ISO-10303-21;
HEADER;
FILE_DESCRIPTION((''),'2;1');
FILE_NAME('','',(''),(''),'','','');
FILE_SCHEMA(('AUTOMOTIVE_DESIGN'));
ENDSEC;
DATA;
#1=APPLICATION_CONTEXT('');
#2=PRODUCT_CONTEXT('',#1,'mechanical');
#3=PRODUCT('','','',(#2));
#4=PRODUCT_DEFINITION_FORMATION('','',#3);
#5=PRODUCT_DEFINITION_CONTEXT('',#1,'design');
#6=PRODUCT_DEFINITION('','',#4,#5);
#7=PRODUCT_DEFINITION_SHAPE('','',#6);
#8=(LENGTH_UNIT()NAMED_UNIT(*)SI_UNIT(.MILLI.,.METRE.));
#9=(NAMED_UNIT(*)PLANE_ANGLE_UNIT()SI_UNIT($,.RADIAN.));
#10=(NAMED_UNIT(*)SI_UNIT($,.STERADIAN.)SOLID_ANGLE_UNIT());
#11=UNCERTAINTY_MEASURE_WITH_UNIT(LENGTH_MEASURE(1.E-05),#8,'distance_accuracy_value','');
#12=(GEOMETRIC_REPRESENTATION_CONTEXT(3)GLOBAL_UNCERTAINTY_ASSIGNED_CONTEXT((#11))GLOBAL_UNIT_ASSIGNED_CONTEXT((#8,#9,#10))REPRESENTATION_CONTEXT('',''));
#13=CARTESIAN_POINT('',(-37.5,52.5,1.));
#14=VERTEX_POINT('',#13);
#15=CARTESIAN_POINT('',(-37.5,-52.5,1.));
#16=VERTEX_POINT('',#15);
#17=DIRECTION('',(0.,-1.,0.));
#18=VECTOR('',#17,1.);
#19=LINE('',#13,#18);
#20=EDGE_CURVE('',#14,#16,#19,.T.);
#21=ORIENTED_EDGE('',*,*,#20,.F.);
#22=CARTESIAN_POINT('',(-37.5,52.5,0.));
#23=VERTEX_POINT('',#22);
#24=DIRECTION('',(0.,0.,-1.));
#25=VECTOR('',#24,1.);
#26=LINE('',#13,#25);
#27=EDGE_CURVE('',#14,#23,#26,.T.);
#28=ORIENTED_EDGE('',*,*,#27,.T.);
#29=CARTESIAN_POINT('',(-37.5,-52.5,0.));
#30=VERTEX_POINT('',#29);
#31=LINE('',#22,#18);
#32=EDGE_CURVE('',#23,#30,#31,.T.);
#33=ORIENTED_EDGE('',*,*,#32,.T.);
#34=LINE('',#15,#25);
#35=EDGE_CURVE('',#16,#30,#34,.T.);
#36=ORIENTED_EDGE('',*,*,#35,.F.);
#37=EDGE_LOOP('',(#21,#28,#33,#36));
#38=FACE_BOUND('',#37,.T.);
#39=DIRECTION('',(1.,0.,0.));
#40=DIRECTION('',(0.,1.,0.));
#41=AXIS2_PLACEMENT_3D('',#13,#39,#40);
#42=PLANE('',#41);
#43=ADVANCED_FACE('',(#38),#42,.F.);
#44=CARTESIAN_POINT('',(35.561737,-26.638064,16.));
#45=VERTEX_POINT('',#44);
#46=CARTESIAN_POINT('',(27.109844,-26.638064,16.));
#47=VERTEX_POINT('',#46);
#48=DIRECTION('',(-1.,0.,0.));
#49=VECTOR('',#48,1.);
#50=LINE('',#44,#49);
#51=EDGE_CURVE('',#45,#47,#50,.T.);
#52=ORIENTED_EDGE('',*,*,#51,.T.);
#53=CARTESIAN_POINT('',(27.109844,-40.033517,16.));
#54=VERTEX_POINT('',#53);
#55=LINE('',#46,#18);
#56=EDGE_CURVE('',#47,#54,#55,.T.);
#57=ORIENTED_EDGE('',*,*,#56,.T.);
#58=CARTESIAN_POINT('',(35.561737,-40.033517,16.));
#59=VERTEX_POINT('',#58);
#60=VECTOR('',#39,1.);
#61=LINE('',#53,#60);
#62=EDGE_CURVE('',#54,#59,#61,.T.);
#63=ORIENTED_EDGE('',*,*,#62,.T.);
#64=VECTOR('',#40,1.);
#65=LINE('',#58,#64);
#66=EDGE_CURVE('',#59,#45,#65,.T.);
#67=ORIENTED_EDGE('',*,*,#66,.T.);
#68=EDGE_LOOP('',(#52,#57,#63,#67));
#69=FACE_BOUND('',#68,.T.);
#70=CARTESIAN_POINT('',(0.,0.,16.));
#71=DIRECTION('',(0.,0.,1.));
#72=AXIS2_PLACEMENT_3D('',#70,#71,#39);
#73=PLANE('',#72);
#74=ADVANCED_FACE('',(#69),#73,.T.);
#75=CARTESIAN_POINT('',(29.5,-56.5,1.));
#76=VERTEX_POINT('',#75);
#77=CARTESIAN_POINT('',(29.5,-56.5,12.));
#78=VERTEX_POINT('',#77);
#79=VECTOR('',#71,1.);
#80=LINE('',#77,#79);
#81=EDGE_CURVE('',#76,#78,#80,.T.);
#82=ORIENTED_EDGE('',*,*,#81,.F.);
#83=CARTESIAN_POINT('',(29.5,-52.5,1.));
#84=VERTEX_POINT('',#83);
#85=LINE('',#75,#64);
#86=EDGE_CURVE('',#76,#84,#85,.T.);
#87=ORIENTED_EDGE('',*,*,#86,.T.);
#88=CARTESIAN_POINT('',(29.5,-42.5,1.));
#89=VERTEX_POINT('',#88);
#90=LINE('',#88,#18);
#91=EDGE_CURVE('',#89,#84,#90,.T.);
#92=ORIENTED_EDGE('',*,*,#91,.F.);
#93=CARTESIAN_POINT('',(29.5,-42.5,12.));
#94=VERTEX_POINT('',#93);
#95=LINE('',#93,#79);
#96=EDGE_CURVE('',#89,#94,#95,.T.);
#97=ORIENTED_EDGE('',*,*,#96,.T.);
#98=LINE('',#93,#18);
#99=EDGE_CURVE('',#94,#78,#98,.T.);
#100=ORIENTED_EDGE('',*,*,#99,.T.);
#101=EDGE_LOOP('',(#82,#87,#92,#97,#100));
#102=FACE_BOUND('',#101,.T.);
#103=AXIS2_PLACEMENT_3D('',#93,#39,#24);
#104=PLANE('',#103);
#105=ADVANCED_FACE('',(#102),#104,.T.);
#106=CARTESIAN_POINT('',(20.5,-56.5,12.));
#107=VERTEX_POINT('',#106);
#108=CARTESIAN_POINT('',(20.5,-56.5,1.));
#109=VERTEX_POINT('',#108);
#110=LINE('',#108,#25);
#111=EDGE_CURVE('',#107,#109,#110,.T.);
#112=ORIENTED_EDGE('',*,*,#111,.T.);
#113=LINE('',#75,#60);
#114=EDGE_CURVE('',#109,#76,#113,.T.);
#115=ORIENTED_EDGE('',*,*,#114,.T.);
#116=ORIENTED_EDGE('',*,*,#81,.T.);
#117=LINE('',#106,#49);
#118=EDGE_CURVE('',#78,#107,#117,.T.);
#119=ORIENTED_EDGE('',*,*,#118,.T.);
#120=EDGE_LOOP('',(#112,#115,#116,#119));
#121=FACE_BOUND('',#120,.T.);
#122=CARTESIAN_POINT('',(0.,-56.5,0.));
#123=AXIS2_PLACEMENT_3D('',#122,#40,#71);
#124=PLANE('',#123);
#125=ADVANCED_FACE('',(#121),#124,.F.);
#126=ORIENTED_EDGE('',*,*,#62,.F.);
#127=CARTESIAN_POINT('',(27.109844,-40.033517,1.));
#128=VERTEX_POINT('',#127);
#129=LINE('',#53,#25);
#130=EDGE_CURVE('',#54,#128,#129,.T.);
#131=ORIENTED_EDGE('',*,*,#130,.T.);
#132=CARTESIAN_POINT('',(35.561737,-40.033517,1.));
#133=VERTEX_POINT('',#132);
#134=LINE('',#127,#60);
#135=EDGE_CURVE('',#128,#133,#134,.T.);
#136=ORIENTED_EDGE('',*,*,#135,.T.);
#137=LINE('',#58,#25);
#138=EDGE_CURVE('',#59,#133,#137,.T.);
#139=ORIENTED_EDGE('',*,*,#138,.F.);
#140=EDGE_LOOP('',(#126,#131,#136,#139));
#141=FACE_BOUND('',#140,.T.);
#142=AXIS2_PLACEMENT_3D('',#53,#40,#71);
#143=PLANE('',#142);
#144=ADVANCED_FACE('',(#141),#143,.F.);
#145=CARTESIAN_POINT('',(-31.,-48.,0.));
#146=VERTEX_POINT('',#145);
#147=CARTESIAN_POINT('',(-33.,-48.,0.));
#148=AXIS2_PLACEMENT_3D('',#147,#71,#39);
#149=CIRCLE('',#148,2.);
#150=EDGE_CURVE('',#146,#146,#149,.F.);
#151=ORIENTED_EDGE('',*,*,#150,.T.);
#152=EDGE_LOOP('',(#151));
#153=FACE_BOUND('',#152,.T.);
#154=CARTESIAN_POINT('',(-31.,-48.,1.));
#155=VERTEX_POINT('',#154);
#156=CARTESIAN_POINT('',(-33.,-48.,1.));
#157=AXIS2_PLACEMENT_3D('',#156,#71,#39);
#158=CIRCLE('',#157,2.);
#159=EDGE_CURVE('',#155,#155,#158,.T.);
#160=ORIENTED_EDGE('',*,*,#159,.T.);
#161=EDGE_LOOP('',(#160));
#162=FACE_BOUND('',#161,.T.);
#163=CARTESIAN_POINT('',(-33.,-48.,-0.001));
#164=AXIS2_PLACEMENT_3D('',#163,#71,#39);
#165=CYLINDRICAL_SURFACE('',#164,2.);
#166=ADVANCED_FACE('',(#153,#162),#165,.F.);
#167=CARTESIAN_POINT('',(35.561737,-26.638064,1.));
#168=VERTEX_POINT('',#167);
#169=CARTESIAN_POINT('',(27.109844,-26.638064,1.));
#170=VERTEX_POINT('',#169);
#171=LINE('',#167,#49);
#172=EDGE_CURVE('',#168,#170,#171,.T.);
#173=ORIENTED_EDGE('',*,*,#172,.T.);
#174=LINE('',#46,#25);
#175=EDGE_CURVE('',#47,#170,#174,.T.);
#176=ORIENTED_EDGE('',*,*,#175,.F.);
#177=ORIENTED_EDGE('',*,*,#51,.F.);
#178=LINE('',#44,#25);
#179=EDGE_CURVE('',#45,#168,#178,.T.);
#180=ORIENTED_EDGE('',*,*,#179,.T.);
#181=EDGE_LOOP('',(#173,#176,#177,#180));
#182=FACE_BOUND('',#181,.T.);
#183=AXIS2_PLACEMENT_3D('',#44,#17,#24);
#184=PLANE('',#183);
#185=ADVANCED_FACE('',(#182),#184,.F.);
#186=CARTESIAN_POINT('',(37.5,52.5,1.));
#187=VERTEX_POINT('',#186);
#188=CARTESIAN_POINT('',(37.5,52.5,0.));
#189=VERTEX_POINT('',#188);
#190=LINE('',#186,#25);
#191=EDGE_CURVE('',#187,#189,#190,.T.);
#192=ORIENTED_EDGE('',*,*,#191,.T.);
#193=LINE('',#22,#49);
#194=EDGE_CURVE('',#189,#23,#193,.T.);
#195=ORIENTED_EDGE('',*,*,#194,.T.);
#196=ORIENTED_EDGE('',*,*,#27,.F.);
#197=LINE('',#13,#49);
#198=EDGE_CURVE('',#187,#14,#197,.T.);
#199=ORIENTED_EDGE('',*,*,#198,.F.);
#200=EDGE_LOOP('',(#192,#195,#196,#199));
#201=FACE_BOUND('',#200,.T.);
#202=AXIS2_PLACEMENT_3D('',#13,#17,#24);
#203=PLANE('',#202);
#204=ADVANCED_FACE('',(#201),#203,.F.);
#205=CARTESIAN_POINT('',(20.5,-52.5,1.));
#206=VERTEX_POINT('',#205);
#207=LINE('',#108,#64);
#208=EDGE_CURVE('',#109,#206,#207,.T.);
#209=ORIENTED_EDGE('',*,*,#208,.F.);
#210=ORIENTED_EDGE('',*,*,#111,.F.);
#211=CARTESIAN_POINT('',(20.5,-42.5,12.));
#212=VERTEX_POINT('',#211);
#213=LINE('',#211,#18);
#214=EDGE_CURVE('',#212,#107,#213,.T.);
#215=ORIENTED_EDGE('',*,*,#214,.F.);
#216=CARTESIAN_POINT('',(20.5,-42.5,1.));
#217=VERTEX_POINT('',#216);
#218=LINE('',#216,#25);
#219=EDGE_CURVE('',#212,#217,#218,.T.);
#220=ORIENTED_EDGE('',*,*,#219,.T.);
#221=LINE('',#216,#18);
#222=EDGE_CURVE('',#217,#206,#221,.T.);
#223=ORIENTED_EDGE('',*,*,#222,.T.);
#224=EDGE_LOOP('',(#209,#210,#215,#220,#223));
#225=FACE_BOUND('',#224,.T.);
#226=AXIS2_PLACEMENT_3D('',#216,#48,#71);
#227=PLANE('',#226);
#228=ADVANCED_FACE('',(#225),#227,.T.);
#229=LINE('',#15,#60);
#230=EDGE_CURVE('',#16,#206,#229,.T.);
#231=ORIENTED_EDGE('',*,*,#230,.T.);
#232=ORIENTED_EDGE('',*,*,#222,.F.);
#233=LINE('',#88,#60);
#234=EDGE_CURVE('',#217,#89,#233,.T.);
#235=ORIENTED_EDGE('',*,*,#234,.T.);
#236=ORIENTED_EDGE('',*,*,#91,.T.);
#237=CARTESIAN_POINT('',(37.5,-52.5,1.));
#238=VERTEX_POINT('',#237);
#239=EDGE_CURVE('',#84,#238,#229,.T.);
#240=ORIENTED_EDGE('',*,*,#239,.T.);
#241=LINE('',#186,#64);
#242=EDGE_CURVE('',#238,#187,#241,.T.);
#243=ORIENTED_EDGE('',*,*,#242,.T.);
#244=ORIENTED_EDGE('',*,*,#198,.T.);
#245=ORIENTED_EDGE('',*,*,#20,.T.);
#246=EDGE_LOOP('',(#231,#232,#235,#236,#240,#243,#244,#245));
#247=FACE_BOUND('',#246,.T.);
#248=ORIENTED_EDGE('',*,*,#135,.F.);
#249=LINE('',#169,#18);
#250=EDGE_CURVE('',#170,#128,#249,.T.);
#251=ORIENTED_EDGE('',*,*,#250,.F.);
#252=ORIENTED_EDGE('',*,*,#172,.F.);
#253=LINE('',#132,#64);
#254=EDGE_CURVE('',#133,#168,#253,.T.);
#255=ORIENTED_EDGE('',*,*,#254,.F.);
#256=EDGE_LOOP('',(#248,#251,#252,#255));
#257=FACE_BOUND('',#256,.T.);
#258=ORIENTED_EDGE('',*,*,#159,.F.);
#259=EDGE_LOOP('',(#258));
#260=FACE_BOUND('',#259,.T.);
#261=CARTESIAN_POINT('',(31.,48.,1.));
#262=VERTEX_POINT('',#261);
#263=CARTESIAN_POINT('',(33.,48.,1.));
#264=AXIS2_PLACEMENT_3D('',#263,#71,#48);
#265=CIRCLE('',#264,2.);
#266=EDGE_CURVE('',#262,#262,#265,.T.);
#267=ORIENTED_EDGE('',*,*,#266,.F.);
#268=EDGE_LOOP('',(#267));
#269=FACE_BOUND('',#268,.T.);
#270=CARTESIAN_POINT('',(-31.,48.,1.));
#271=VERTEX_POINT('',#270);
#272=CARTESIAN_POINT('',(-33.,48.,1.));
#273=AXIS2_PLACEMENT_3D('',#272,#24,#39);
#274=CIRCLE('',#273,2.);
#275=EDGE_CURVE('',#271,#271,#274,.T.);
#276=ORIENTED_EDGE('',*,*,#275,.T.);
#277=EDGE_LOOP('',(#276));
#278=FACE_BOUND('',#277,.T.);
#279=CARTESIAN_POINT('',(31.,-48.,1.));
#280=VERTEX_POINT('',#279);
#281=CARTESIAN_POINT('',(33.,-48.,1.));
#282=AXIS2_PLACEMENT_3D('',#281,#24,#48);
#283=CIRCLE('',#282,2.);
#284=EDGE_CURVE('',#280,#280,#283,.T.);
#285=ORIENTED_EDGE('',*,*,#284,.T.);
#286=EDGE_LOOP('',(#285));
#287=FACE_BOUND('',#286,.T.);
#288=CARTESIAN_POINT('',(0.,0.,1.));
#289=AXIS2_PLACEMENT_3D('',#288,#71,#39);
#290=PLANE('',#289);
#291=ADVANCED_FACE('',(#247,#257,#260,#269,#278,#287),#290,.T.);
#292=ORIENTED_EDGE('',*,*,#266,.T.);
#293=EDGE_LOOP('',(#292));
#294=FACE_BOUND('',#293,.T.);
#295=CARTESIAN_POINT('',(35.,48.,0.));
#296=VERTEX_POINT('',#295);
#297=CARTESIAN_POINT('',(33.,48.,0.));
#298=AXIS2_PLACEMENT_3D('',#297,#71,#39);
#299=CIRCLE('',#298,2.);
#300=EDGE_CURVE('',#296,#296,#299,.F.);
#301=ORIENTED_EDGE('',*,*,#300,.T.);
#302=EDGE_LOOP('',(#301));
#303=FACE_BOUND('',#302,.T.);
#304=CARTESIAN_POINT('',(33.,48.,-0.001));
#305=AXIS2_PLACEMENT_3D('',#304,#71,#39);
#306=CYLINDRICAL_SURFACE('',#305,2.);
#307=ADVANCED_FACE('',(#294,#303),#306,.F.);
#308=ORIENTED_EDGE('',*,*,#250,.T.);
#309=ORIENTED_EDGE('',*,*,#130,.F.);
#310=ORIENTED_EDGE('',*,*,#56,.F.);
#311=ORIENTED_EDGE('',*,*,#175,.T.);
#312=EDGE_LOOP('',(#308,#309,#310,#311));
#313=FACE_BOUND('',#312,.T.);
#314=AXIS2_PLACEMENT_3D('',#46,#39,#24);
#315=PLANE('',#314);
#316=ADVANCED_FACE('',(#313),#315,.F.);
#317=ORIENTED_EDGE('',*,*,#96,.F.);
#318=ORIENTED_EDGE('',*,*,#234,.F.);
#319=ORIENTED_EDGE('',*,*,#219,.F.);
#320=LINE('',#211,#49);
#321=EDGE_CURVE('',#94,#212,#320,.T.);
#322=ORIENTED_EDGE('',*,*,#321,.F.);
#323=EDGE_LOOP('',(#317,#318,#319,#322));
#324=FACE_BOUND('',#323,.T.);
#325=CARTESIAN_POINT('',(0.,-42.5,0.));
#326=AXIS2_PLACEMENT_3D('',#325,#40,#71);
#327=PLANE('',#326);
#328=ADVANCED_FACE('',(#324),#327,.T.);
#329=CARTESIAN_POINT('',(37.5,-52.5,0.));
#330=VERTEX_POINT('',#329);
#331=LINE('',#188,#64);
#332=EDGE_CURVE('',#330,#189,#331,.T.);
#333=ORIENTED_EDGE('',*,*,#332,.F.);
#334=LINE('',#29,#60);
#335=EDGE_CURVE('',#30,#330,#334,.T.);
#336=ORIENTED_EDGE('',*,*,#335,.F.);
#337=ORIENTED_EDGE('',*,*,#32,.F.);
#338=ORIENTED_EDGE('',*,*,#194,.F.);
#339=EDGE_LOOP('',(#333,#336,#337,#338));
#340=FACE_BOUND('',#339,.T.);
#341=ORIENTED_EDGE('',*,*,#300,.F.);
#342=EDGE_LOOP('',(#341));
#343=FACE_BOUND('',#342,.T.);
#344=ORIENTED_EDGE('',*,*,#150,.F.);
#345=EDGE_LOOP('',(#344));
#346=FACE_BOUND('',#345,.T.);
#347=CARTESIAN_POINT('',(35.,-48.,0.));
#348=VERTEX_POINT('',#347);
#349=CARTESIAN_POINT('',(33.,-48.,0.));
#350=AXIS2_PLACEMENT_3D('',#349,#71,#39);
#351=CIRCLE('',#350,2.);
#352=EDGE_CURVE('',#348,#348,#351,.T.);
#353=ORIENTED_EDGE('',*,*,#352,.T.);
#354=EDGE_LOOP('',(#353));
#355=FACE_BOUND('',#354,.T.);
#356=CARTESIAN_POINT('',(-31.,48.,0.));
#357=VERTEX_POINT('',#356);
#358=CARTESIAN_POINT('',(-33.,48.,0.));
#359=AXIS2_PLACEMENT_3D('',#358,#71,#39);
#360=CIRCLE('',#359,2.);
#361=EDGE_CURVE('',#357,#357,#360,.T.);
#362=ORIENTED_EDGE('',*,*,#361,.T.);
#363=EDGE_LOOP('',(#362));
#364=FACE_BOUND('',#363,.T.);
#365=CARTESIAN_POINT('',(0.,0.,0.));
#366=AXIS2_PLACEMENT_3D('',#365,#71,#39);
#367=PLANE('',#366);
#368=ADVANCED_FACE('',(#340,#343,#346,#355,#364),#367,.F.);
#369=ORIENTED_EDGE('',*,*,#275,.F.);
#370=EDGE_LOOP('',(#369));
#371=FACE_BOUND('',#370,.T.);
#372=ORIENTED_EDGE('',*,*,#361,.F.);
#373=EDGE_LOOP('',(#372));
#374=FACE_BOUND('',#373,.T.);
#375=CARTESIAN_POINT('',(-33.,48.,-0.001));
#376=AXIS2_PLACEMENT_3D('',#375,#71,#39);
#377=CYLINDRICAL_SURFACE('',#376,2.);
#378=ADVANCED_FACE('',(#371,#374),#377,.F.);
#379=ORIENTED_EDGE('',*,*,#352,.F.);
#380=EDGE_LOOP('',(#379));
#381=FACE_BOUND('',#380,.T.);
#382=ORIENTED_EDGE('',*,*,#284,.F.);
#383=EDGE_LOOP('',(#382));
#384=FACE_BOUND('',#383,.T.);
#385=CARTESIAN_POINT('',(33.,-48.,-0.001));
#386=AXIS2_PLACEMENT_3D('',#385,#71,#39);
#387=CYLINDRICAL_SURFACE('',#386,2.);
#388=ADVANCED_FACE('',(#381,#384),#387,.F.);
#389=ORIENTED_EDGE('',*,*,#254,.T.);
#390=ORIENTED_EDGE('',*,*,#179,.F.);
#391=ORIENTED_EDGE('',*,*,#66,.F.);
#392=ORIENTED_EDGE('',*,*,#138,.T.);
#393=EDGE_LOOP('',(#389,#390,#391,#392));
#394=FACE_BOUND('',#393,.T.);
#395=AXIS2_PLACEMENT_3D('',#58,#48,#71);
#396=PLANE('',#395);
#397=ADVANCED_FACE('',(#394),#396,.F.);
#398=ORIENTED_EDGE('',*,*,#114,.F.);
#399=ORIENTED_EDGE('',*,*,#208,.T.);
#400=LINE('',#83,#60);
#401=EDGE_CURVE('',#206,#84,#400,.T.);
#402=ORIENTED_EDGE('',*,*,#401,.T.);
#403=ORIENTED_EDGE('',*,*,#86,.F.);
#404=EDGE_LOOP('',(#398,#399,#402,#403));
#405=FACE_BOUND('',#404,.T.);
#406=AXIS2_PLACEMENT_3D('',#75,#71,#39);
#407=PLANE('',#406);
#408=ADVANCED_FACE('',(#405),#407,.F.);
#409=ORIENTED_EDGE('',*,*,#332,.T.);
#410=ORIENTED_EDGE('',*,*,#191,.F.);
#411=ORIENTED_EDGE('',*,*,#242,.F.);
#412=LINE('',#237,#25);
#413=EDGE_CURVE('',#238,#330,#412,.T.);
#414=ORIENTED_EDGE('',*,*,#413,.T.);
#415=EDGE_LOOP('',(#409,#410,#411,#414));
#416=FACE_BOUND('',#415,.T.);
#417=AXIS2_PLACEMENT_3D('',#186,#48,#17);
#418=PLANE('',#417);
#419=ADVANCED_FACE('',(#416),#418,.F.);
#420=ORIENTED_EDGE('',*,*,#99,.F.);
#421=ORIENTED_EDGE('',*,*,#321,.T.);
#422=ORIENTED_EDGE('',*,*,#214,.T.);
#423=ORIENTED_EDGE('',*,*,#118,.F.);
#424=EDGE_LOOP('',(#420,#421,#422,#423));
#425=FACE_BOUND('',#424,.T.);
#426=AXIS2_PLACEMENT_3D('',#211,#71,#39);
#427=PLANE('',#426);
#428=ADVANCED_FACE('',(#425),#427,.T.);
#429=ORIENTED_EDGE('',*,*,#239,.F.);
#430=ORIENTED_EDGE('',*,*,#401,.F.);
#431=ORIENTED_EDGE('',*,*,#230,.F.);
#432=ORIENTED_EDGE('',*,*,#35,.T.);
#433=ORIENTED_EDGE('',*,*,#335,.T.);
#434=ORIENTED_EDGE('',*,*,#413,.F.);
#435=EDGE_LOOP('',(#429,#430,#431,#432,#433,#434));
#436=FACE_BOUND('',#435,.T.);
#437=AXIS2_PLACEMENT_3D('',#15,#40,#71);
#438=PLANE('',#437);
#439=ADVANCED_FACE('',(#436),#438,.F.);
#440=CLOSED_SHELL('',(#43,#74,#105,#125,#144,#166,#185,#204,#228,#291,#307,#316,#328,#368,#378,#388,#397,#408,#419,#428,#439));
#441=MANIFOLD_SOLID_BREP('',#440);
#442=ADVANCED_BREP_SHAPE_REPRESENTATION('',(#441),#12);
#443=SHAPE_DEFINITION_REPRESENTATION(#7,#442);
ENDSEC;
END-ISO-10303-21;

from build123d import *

# Parameters (mm, degrees)
ESQUISSE1_W               = 75
ESQUISSE1_H               = 105
BOSS_EXTRU_1_DEPTH        = 1
ENL_V_MAT_EXTRU_1_REACH   = 66.525
ESQUISSE3_R               = 2
SYM_TRIE2_COPY_1_REACH    = 66.525
SYM_TRIE2_COPY_1_SKETCH_R = 2
ESQUISSE5_W               = 9
ESQUISSE5_H               = 11
BOSS_EXTRU_3_DEPTH        = 10
ESQUISSE5_2_W             = 9
ESQUISSE5_2_H             = 11
BOSS_EXTRU_4_DEPTH        = 4
ESQUISSE6_W               = 8.451892611
ESQUISSE6_H               = 13.39545244
BOSS_EXTRU_5_DEPTH        = 15


with BuildPart() as part:
    # Esquisse1 → Boss.-Extru.1 (new body)
    with BuildSketch(Plane.XY):
        Rectangle(ESQUISSE1_W, ESQUISSE1_H)
    extrude(amount=BOSS_EXTRU_1_DEPTH)

    # Esquisse3 → Enlèv. mat.-Extru.1 (cut, up to next)
    with BuildSketch(Plane.XY.offset(1), mode=Mode.PRIVATE) as enl_v_mat_extru_1_sk1:
        with Locations((-33, -48)):
            Circle(ESQUISSE3_R)
    enl_v_mat_extru_1_tool1 = extrude(enl_v_mat_extru_1_sk1.sketch, amount=-ENL_V_MAT_EXTRU_1_REACH, mode=Mode.PRIVATE) & part.part
    enl_v_mat_extru_1 = enl_v_mat_extru_1_tool1.solids().sort_by_distance((-33, -48, 1))[0]
    add(enl_v_mat_extru_1, mode=Mode.SUBTRACT)

    # Symétrie1: Enlèv. mat.-Extru.1 across plane
    add(enl_v_mat_extru_1.mirror(Plane(origin=(0, 0, 0), x_dir=(0, 0, 1), z_dir=(1, 0, 0))), mode=Mode.SUBTRACT)

    # Symétrie2: Enlèv. mat.-Extru.1 across plane
    add(enl_v_mat_extru_1.mirror(Plane.ZX), mode=Mode.SUBTRACT)

    # Symétrie2 copy 1 sketch → Symétrie2 copy 1 (cut, up to next)
    with BuildSketch(Plane(origin=(0, 0, 1), x_dir=(-1, 0, 0), z_dir=(0, 0, 1)), mode=Mode.PRIVATE) as sym_trie2_copy_1_sk1:
        with Locations((-33, -48)):
            Circle(SYM_TRIE2_COPY_1_SKETCH_R)
    sym_trie2_copy_1_tool1 = extrude(sym_trie2_copy_1_sk1.sketch, amount=-SYM_TRIE2_COPY_1_REACH, mode=Mode.PRIVATE) & part.part
    add(sym_trie2_copy_1_tool1.solids().sort_by_distance((33, 48, 1))[0], mode=Mode.SUBTRACT)

    # Esquisse5 → Boss.-Extru.3 (add)
    with BuildSketch(Plane.XZ.offset(52.5)):
        with Locations((25, 6.5)):
            Rectangle(ESQUISSE5_W, ESQUISSE5_H)
    extrude(amount=-BOSS_EXTRU_3_DEPTH)

    # Esquisse5<2> → Boss.-Extru.4 (add)
    with BuildSketch(Plane.XZ.offset(52.5)):
        with Locations((25, 6.5)):
            Rectangle(ESQUISSE5_2_W, ESQUISSE5_2_H)
    extrude(amount=BOSS_EXTRU_4_DEPTH)

    # Esquisse6 → Boss.-Extru.5 (add)
    with BuildSketch(Plane.XY.offset(1)):
        with Locations((31.335790529, -33.335790529)):
            Rectangle(ESQUISSE6_W, ESQUISSE6_H)
    extrude(amount=BOSS_EXTRU_5_DEPTH)


solid = part.part
